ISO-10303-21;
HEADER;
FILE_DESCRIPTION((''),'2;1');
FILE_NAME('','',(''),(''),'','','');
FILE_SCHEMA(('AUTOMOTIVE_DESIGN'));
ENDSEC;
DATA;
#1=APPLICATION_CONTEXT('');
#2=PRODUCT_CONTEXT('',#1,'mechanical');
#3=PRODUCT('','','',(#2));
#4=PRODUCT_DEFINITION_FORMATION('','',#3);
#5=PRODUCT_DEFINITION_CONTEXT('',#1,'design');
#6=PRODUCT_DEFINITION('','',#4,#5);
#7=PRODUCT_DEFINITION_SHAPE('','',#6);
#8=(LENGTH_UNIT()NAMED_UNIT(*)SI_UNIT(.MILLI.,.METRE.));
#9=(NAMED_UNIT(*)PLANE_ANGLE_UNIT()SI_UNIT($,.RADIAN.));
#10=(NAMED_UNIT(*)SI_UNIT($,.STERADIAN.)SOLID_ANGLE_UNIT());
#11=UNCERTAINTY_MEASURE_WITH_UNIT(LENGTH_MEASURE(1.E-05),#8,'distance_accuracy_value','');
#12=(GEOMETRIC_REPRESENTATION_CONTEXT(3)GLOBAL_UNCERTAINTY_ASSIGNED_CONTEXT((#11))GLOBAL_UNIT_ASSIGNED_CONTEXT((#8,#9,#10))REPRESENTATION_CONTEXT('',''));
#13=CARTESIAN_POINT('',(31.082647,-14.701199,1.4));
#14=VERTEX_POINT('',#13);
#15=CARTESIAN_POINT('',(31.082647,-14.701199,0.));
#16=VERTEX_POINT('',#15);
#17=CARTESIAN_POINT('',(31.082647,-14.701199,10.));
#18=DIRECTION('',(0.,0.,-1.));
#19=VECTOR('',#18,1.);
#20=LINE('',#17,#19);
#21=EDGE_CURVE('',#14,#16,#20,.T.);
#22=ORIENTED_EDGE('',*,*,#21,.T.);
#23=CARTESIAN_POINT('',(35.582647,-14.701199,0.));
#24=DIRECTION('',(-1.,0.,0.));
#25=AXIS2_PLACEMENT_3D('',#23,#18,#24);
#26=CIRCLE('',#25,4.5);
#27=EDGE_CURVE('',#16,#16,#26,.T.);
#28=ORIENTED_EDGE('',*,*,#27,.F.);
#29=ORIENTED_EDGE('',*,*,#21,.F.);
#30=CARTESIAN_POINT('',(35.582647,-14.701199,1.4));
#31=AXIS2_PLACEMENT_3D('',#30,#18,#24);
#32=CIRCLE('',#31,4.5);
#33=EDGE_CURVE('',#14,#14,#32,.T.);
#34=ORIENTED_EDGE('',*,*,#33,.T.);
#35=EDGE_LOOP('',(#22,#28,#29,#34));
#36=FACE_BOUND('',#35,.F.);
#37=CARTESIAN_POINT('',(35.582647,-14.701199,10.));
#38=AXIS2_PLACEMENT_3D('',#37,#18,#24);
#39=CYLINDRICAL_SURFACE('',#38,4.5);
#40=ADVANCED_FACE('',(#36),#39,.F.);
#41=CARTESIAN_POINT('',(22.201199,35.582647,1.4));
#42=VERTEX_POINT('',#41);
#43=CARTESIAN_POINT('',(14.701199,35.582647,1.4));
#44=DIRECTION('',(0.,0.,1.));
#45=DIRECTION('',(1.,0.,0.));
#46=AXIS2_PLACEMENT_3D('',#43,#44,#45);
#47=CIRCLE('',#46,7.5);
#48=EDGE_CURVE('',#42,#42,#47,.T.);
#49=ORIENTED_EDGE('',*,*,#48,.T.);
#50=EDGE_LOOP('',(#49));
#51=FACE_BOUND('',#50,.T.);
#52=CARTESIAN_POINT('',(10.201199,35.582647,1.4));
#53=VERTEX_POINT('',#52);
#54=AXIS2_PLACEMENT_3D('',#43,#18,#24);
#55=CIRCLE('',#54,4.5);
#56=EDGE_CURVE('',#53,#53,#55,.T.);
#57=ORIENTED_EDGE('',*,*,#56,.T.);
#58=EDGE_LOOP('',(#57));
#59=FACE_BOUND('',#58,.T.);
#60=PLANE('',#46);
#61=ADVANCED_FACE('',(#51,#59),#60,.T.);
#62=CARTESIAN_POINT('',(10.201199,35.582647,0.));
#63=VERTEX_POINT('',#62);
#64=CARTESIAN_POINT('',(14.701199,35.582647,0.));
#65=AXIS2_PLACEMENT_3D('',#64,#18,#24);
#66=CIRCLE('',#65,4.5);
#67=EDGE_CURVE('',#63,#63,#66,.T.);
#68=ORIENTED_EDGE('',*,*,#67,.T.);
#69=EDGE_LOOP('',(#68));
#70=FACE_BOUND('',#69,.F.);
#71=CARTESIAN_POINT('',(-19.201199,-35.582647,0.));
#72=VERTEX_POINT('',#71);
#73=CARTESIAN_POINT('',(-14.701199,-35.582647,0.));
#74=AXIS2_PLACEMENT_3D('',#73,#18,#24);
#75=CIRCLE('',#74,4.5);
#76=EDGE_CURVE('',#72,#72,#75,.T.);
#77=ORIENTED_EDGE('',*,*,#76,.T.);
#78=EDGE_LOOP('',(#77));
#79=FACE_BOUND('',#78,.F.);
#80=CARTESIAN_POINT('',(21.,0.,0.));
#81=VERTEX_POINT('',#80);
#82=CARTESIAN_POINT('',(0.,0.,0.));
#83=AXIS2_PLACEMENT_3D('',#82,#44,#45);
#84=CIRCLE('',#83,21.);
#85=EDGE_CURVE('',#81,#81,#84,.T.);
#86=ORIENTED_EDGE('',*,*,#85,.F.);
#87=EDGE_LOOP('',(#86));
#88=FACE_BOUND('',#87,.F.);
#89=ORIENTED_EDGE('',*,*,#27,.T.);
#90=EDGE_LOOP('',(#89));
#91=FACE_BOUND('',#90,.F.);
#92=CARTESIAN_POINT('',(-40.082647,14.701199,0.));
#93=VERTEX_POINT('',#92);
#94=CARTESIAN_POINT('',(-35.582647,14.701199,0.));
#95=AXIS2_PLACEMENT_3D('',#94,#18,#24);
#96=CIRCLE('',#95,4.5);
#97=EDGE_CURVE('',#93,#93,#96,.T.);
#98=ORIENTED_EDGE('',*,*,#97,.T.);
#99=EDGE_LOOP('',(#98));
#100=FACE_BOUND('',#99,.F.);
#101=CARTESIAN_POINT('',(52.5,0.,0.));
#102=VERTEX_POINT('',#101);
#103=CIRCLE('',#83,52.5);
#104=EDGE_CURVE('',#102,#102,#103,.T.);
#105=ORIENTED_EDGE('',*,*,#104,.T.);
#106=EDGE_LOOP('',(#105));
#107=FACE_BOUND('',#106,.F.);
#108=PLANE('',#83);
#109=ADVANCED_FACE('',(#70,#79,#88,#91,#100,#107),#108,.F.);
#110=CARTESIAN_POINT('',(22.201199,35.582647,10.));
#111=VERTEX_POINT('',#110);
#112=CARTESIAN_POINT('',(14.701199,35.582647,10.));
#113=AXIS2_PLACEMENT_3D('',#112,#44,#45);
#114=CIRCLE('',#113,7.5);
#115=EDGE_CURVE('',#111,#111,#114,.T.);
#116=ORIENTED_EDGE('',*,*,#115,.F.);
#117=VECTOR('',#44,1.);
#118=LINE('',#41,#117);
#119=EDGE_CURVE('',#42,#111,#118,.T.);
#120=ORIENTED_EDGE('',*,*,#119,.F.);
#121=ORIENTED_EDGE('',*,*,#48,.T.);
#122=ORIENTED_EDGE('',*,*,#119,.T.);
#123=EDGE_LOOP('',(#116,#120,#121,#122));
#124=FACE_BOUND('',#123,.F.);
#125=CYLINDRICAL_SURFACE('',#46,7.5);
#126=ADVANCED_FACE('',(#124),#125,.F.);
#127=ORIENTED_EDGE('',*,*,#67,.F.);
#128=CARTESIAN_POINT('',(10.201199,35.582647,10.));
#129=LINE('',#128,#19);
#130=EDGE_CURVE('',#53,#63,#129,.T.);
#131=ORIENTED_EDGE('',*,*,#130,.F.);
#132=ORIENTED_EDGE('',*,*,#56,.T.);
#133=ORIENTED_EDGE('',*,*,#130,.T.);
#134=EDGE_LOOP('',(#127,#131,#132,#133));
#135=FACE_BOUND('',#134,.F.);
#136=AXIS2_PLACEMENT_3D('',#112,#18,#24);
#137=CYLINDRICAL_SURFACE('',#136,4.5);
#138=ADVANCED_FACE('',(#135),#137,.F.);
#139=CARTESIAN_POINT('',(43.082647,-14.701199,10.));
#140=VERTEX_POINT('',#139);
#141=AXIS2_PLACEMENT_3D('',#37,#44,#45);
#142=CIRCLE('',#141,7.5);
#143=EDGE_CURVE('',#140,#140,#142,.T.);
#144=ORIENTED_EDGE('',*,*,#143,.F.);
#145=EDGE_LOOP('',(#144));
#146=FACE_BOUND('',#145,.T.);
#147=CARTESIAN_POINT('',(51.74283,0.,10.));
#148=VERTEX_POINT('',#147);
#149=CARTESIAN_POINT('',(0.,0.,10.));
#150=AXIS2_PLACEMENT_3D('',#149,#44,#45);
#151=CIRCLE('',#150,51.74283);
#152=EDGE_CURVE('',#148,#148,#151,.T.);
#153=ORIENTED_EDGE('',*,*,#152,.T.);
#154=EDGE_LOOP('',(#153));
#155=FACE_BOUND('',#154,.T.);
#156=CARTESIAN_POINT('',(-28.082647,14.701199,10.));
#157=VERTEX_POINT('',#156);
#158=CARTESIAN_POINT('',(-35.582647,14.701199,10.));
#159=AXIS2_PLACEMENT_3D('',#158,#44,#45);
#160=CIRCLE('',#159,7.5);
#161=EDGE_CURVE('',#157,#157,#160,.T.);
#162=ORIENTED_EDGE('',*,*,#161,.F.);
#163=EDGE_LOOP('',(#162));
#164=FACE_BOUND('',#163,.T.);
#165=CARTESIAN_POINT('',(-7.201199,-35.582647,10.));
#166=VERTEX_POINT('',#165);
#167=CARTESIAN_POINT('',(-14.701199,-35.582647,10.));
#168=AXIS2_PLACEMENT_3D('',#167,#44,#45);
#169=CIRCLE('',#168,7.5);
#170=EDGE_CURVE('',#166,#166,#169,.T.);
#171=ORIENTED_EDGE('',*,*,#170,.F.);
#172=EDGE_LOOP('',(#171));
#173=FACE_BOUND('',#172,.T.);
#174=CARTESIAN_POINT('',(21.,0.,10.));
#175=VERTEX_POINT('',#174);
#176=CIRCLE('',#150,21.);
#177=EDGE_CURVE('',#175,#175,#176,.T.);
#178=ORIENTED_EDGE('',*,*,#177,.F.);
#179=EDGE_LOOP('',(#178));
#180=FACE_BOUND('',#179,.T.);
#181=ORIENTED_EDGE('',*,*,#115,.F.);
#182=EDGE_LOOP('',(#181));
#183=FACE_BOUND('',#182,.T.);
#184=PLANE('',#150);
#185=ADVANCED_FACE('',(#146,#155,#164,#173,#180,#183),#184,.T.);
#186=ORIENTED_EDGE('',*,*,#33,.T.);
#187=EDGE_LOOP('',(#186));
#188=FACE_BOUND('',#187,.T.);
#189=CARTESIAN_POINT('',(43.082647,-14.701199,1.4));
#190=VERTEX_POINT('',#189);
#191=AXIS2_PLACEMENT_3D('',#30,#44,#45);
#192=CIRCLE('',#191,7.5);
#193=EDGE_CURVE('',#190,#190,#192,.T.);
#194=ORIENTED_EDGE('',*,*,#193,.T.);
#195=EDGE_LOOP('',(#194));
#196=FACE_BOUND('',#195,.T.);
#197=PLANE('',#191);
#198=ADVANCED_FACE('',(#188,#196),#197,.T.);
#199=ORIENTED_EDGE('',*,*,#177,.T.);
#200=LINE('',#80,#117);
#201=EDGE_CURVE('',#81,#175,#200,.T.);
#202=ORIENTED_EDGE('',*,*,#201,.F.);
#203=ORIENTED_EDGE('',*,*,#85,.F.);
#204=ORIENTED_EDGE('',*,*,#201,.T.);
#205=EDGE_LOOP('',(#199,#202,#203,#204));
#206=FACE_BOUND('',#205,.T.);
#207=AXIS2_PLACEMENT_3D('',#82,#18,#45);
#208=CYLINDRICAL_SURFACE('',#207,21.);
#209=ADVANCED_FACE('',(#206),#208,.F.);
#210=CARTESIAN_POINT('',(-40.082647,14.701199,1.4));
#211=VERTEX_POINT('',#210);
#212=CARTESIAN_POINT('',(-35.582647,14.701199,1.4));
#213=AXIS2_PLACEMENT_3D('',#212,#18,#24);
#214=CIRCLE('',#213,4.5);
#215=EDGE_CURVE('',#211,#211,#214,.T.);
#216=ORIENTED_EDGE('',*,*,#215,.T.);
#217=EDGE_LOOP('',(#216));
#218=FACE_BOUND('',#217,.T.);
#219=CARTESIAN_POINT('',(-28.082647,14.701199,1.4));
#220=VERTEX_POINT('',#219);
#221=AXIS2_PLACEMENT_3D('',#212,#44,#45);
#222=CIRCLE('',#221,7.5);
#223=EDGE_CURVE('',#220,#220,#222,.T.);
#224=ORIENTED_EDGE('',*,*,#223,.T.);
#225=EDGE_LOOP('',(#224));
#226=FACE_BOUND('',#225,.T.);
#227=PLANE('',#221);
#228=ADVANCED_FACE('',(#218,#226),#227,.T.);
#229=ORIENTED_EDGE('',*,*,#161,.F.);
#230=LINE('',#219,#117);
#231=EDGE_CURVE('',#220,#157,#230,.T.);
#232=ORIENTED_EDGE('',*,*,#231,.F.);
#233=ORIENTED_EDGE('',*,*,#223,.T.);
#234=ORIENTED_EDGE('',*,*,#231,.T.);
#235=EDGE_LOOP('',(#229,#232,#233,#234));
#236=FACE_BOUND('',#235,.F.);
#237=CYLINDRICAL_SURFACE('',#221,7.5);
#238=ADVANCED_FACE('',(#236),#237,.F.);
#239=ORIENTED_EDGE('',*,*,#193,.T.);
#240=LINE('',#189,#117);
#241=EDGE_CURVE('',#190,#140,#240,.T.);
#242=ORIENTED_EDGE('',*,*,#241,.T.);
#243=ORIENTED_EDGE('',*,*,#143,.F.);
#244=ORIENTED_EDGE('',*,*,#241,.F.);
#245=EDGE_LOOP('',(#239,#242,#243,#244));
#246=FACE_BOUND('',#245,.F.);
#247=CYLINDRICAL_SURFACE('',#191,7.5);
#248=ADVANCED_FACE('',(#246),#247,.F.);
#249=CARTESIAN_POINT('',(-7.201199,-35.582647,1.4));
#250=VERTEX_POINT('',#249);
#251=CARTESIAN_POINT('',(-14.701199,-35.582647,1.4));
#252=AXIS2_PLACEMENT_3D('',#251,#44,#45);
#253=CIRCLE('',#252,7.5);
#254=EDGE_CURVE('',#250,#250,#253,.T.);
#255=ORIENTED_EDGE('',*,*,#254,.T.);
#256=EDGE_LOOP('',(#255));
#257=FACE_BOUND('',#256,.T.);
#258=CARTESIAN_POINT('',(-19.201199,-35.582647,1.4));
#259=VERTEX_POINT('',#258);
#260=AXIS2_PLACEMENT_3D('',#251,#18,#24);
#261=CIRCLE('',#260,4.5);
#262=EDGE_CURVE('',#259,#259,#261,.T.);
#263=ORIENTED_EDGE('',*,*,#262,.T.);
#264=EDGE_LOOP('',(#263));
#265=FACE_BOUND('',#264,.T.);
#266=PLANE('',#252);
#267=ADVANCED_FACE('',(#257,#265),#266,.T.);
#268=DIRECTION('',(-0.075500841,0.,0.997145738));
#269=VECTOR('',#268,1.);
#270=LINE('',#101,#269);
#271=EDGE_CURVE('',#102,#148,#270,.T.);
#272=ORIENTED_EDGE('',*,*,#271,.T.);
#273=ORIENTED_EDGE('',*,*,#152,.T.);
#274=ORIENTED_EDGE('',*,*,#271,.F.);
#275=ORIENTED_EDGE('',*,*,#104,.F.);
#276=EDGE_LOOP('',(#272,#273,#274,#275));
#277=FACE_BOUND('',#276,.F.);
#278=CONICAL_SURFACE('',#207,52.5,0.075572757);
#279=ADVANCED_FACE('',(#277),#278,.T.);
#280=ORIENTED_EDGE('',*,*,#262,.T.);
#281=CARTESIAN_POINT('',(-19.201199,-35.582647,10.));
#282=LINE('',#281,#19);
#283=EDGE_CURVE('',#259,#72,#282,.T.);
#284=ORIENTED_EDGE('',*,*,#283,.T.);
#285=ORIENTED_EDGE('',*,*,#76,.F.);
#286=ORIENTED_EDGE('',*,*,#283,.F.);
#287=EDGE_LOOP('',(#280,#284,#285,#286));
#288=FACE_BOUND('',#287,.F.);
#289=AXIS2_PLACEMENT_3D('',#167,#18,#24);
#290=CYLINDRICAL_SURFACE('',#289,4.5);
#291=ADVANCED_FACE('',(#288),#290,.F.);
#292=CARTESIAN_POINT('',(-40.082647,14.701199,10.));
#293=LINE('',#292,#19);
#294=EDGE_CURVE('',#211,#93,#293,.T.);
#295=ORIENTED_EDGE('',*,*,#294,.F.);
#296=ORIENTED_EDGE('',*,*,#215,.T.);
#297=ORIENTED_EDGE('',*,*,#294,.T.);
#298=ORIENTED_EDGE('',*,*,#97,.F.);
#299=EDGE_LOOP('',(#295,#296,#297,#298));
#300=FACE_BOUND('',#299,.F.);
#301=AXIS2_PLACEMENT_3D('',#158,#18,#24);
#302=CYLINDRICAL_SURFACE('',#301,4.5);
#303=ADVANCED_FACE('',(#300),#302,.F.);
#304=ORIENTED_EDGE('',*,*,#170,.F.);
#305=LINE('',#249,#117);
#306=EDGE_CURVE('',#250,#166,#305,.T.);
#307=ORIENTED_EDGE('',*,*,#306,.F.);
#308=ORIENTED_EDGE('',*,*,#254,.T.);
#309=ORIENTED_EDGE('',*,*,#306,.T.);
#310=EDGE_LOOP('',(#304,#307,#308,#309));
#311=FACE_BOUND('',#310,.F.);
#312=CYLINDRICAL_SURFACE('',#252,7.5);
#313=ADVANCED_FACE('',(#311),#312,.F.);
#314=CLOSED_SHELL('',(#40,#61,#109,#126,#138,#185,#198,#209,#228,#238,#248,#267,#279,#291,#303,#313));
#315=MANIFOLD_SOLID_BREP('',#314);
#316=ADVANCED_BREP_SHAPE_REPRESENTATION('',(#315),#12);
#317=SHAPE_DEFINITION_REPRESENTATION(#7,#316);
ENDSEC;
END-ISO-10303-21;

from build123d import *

# Parameters (mm, degrees)
IZIM1_R                                           = 52.5
IZIM1_R_2                                         = 21
Y_KSEKLIK_EKSTR_ZYON1_DEPTH                       = 10
Y_KSEKLIK_EKSTR_ZYON1_DRAFT                       = 4.33
M8_ALT_GEN_ALYAN_BA_L_K_R_VIDA_IN_HAV_D           = 9
M8_ALT_GEN_ALYAN_BA_L_K_R_VIDA_IN_HAV_DEPTH       = 22.25
M8_ALT_GEN_ALYAN_BA_L_K_R_VIDA_IN_HAV_CBORE_D     = 15
M8_ALT_GEN_ALYAN_BA_L_K_R_VIDA_IN_HAV_CBORE_DEPTH = 8.6
M8_ALT_GEN_ALYAN_BA_L_K_R_VIDA_IN_HAV_TIP         = 2.703872786
IZIM4_R                                           = 22
IZIM4_R_2                                         = 21
Y_KSEKLIK_EKSTR_ZYON2_DEPTH                       = 10


with BuildPart() as part:
    # Çizim1 → Yükseklik-Ekstrüzyon1 (with draft: the straight prism first)
    with BuildSketch(Plane.XY):
        Circle(IZIM1_R)
        Circle(IZIM1_R_2, mode=Mode.SUBTRACT)
    extrude(amount=Y_KSEKLIK_EKSTR_ZYON1_DEPTH)
    # Yükseklik-Ekstrüzyon1: the draft: its side faces are tilted about the plane it starts from
    y_kseklik_ekstr_zyon1_sides = [part.faces().sort_by_distance(p)[0] for p in [
        (-52.5, 0, 5),
        (-21, 0, 5),
    ]]
    draft(y_kseklik_ekstr_zyon1_sides, Plane.XY, Y_KSEKLIK_EKSTR_ZYON1_DRAFT)

    # M8 Altıgen Alyan Başlı Kör Vida İçin Havşa1
    with Locations(Plane.XY.offset(10)):
        with Locations((14.701198769, 35.58264682), (-35.58264682, 14.701198769), (-14.701198769, -35.58264682), (35.58264682, -14.701198769)):
            CounterBoreHole(M8_ALT_GEN_ALYAN_BA_L_K_R_VIDA_IN_HAV_D / 2, M8_ALT_GEN_ALYAN_BA_L_K_R_VIDA_IN_HAV_CBORE_D / 2, M8_ALT_GEN_ALYAN_BA_L_K_R_VIDA_IN_HAV_CBORE_DEPTH, depth=M8_ALT_GEN_ALYAN_BA_L_K_R_VIDA_IN_HAV_DEPTH)
            with Locations((0, 0, -(M8_ALT_GEN_ALYAN_BA_L_K_R_VIDA_IN_HAV_DEPTH + M8_ALT_GEN_ALYAN_BA_L_K_R_VIDA_IN_HAV_TIP / 2))):  # 118° drill point
                Cone(0, M8_ALT_GEN_ALYAN_BA_L_K_R_VIDA_IN_HAV_D / 2, M8_ALT_GEN_ALYAN_BA_L_K_R_VIDA_IN_HAV_TIP, mode=Mode.SUBTRACT)

    # Çizim4 → Yükseklik-Ekstrüzyon2 (add)
    with BuildSketch(Plane.XY):
        Circle(IZIM4_R)
        Circle(IZIM4_R_2, mode=Mode.SUBTRACT)
    extrude(amount=Y_KSEKLIK_EKSTR_ZYON2_DEPTH)


solid = part.part
